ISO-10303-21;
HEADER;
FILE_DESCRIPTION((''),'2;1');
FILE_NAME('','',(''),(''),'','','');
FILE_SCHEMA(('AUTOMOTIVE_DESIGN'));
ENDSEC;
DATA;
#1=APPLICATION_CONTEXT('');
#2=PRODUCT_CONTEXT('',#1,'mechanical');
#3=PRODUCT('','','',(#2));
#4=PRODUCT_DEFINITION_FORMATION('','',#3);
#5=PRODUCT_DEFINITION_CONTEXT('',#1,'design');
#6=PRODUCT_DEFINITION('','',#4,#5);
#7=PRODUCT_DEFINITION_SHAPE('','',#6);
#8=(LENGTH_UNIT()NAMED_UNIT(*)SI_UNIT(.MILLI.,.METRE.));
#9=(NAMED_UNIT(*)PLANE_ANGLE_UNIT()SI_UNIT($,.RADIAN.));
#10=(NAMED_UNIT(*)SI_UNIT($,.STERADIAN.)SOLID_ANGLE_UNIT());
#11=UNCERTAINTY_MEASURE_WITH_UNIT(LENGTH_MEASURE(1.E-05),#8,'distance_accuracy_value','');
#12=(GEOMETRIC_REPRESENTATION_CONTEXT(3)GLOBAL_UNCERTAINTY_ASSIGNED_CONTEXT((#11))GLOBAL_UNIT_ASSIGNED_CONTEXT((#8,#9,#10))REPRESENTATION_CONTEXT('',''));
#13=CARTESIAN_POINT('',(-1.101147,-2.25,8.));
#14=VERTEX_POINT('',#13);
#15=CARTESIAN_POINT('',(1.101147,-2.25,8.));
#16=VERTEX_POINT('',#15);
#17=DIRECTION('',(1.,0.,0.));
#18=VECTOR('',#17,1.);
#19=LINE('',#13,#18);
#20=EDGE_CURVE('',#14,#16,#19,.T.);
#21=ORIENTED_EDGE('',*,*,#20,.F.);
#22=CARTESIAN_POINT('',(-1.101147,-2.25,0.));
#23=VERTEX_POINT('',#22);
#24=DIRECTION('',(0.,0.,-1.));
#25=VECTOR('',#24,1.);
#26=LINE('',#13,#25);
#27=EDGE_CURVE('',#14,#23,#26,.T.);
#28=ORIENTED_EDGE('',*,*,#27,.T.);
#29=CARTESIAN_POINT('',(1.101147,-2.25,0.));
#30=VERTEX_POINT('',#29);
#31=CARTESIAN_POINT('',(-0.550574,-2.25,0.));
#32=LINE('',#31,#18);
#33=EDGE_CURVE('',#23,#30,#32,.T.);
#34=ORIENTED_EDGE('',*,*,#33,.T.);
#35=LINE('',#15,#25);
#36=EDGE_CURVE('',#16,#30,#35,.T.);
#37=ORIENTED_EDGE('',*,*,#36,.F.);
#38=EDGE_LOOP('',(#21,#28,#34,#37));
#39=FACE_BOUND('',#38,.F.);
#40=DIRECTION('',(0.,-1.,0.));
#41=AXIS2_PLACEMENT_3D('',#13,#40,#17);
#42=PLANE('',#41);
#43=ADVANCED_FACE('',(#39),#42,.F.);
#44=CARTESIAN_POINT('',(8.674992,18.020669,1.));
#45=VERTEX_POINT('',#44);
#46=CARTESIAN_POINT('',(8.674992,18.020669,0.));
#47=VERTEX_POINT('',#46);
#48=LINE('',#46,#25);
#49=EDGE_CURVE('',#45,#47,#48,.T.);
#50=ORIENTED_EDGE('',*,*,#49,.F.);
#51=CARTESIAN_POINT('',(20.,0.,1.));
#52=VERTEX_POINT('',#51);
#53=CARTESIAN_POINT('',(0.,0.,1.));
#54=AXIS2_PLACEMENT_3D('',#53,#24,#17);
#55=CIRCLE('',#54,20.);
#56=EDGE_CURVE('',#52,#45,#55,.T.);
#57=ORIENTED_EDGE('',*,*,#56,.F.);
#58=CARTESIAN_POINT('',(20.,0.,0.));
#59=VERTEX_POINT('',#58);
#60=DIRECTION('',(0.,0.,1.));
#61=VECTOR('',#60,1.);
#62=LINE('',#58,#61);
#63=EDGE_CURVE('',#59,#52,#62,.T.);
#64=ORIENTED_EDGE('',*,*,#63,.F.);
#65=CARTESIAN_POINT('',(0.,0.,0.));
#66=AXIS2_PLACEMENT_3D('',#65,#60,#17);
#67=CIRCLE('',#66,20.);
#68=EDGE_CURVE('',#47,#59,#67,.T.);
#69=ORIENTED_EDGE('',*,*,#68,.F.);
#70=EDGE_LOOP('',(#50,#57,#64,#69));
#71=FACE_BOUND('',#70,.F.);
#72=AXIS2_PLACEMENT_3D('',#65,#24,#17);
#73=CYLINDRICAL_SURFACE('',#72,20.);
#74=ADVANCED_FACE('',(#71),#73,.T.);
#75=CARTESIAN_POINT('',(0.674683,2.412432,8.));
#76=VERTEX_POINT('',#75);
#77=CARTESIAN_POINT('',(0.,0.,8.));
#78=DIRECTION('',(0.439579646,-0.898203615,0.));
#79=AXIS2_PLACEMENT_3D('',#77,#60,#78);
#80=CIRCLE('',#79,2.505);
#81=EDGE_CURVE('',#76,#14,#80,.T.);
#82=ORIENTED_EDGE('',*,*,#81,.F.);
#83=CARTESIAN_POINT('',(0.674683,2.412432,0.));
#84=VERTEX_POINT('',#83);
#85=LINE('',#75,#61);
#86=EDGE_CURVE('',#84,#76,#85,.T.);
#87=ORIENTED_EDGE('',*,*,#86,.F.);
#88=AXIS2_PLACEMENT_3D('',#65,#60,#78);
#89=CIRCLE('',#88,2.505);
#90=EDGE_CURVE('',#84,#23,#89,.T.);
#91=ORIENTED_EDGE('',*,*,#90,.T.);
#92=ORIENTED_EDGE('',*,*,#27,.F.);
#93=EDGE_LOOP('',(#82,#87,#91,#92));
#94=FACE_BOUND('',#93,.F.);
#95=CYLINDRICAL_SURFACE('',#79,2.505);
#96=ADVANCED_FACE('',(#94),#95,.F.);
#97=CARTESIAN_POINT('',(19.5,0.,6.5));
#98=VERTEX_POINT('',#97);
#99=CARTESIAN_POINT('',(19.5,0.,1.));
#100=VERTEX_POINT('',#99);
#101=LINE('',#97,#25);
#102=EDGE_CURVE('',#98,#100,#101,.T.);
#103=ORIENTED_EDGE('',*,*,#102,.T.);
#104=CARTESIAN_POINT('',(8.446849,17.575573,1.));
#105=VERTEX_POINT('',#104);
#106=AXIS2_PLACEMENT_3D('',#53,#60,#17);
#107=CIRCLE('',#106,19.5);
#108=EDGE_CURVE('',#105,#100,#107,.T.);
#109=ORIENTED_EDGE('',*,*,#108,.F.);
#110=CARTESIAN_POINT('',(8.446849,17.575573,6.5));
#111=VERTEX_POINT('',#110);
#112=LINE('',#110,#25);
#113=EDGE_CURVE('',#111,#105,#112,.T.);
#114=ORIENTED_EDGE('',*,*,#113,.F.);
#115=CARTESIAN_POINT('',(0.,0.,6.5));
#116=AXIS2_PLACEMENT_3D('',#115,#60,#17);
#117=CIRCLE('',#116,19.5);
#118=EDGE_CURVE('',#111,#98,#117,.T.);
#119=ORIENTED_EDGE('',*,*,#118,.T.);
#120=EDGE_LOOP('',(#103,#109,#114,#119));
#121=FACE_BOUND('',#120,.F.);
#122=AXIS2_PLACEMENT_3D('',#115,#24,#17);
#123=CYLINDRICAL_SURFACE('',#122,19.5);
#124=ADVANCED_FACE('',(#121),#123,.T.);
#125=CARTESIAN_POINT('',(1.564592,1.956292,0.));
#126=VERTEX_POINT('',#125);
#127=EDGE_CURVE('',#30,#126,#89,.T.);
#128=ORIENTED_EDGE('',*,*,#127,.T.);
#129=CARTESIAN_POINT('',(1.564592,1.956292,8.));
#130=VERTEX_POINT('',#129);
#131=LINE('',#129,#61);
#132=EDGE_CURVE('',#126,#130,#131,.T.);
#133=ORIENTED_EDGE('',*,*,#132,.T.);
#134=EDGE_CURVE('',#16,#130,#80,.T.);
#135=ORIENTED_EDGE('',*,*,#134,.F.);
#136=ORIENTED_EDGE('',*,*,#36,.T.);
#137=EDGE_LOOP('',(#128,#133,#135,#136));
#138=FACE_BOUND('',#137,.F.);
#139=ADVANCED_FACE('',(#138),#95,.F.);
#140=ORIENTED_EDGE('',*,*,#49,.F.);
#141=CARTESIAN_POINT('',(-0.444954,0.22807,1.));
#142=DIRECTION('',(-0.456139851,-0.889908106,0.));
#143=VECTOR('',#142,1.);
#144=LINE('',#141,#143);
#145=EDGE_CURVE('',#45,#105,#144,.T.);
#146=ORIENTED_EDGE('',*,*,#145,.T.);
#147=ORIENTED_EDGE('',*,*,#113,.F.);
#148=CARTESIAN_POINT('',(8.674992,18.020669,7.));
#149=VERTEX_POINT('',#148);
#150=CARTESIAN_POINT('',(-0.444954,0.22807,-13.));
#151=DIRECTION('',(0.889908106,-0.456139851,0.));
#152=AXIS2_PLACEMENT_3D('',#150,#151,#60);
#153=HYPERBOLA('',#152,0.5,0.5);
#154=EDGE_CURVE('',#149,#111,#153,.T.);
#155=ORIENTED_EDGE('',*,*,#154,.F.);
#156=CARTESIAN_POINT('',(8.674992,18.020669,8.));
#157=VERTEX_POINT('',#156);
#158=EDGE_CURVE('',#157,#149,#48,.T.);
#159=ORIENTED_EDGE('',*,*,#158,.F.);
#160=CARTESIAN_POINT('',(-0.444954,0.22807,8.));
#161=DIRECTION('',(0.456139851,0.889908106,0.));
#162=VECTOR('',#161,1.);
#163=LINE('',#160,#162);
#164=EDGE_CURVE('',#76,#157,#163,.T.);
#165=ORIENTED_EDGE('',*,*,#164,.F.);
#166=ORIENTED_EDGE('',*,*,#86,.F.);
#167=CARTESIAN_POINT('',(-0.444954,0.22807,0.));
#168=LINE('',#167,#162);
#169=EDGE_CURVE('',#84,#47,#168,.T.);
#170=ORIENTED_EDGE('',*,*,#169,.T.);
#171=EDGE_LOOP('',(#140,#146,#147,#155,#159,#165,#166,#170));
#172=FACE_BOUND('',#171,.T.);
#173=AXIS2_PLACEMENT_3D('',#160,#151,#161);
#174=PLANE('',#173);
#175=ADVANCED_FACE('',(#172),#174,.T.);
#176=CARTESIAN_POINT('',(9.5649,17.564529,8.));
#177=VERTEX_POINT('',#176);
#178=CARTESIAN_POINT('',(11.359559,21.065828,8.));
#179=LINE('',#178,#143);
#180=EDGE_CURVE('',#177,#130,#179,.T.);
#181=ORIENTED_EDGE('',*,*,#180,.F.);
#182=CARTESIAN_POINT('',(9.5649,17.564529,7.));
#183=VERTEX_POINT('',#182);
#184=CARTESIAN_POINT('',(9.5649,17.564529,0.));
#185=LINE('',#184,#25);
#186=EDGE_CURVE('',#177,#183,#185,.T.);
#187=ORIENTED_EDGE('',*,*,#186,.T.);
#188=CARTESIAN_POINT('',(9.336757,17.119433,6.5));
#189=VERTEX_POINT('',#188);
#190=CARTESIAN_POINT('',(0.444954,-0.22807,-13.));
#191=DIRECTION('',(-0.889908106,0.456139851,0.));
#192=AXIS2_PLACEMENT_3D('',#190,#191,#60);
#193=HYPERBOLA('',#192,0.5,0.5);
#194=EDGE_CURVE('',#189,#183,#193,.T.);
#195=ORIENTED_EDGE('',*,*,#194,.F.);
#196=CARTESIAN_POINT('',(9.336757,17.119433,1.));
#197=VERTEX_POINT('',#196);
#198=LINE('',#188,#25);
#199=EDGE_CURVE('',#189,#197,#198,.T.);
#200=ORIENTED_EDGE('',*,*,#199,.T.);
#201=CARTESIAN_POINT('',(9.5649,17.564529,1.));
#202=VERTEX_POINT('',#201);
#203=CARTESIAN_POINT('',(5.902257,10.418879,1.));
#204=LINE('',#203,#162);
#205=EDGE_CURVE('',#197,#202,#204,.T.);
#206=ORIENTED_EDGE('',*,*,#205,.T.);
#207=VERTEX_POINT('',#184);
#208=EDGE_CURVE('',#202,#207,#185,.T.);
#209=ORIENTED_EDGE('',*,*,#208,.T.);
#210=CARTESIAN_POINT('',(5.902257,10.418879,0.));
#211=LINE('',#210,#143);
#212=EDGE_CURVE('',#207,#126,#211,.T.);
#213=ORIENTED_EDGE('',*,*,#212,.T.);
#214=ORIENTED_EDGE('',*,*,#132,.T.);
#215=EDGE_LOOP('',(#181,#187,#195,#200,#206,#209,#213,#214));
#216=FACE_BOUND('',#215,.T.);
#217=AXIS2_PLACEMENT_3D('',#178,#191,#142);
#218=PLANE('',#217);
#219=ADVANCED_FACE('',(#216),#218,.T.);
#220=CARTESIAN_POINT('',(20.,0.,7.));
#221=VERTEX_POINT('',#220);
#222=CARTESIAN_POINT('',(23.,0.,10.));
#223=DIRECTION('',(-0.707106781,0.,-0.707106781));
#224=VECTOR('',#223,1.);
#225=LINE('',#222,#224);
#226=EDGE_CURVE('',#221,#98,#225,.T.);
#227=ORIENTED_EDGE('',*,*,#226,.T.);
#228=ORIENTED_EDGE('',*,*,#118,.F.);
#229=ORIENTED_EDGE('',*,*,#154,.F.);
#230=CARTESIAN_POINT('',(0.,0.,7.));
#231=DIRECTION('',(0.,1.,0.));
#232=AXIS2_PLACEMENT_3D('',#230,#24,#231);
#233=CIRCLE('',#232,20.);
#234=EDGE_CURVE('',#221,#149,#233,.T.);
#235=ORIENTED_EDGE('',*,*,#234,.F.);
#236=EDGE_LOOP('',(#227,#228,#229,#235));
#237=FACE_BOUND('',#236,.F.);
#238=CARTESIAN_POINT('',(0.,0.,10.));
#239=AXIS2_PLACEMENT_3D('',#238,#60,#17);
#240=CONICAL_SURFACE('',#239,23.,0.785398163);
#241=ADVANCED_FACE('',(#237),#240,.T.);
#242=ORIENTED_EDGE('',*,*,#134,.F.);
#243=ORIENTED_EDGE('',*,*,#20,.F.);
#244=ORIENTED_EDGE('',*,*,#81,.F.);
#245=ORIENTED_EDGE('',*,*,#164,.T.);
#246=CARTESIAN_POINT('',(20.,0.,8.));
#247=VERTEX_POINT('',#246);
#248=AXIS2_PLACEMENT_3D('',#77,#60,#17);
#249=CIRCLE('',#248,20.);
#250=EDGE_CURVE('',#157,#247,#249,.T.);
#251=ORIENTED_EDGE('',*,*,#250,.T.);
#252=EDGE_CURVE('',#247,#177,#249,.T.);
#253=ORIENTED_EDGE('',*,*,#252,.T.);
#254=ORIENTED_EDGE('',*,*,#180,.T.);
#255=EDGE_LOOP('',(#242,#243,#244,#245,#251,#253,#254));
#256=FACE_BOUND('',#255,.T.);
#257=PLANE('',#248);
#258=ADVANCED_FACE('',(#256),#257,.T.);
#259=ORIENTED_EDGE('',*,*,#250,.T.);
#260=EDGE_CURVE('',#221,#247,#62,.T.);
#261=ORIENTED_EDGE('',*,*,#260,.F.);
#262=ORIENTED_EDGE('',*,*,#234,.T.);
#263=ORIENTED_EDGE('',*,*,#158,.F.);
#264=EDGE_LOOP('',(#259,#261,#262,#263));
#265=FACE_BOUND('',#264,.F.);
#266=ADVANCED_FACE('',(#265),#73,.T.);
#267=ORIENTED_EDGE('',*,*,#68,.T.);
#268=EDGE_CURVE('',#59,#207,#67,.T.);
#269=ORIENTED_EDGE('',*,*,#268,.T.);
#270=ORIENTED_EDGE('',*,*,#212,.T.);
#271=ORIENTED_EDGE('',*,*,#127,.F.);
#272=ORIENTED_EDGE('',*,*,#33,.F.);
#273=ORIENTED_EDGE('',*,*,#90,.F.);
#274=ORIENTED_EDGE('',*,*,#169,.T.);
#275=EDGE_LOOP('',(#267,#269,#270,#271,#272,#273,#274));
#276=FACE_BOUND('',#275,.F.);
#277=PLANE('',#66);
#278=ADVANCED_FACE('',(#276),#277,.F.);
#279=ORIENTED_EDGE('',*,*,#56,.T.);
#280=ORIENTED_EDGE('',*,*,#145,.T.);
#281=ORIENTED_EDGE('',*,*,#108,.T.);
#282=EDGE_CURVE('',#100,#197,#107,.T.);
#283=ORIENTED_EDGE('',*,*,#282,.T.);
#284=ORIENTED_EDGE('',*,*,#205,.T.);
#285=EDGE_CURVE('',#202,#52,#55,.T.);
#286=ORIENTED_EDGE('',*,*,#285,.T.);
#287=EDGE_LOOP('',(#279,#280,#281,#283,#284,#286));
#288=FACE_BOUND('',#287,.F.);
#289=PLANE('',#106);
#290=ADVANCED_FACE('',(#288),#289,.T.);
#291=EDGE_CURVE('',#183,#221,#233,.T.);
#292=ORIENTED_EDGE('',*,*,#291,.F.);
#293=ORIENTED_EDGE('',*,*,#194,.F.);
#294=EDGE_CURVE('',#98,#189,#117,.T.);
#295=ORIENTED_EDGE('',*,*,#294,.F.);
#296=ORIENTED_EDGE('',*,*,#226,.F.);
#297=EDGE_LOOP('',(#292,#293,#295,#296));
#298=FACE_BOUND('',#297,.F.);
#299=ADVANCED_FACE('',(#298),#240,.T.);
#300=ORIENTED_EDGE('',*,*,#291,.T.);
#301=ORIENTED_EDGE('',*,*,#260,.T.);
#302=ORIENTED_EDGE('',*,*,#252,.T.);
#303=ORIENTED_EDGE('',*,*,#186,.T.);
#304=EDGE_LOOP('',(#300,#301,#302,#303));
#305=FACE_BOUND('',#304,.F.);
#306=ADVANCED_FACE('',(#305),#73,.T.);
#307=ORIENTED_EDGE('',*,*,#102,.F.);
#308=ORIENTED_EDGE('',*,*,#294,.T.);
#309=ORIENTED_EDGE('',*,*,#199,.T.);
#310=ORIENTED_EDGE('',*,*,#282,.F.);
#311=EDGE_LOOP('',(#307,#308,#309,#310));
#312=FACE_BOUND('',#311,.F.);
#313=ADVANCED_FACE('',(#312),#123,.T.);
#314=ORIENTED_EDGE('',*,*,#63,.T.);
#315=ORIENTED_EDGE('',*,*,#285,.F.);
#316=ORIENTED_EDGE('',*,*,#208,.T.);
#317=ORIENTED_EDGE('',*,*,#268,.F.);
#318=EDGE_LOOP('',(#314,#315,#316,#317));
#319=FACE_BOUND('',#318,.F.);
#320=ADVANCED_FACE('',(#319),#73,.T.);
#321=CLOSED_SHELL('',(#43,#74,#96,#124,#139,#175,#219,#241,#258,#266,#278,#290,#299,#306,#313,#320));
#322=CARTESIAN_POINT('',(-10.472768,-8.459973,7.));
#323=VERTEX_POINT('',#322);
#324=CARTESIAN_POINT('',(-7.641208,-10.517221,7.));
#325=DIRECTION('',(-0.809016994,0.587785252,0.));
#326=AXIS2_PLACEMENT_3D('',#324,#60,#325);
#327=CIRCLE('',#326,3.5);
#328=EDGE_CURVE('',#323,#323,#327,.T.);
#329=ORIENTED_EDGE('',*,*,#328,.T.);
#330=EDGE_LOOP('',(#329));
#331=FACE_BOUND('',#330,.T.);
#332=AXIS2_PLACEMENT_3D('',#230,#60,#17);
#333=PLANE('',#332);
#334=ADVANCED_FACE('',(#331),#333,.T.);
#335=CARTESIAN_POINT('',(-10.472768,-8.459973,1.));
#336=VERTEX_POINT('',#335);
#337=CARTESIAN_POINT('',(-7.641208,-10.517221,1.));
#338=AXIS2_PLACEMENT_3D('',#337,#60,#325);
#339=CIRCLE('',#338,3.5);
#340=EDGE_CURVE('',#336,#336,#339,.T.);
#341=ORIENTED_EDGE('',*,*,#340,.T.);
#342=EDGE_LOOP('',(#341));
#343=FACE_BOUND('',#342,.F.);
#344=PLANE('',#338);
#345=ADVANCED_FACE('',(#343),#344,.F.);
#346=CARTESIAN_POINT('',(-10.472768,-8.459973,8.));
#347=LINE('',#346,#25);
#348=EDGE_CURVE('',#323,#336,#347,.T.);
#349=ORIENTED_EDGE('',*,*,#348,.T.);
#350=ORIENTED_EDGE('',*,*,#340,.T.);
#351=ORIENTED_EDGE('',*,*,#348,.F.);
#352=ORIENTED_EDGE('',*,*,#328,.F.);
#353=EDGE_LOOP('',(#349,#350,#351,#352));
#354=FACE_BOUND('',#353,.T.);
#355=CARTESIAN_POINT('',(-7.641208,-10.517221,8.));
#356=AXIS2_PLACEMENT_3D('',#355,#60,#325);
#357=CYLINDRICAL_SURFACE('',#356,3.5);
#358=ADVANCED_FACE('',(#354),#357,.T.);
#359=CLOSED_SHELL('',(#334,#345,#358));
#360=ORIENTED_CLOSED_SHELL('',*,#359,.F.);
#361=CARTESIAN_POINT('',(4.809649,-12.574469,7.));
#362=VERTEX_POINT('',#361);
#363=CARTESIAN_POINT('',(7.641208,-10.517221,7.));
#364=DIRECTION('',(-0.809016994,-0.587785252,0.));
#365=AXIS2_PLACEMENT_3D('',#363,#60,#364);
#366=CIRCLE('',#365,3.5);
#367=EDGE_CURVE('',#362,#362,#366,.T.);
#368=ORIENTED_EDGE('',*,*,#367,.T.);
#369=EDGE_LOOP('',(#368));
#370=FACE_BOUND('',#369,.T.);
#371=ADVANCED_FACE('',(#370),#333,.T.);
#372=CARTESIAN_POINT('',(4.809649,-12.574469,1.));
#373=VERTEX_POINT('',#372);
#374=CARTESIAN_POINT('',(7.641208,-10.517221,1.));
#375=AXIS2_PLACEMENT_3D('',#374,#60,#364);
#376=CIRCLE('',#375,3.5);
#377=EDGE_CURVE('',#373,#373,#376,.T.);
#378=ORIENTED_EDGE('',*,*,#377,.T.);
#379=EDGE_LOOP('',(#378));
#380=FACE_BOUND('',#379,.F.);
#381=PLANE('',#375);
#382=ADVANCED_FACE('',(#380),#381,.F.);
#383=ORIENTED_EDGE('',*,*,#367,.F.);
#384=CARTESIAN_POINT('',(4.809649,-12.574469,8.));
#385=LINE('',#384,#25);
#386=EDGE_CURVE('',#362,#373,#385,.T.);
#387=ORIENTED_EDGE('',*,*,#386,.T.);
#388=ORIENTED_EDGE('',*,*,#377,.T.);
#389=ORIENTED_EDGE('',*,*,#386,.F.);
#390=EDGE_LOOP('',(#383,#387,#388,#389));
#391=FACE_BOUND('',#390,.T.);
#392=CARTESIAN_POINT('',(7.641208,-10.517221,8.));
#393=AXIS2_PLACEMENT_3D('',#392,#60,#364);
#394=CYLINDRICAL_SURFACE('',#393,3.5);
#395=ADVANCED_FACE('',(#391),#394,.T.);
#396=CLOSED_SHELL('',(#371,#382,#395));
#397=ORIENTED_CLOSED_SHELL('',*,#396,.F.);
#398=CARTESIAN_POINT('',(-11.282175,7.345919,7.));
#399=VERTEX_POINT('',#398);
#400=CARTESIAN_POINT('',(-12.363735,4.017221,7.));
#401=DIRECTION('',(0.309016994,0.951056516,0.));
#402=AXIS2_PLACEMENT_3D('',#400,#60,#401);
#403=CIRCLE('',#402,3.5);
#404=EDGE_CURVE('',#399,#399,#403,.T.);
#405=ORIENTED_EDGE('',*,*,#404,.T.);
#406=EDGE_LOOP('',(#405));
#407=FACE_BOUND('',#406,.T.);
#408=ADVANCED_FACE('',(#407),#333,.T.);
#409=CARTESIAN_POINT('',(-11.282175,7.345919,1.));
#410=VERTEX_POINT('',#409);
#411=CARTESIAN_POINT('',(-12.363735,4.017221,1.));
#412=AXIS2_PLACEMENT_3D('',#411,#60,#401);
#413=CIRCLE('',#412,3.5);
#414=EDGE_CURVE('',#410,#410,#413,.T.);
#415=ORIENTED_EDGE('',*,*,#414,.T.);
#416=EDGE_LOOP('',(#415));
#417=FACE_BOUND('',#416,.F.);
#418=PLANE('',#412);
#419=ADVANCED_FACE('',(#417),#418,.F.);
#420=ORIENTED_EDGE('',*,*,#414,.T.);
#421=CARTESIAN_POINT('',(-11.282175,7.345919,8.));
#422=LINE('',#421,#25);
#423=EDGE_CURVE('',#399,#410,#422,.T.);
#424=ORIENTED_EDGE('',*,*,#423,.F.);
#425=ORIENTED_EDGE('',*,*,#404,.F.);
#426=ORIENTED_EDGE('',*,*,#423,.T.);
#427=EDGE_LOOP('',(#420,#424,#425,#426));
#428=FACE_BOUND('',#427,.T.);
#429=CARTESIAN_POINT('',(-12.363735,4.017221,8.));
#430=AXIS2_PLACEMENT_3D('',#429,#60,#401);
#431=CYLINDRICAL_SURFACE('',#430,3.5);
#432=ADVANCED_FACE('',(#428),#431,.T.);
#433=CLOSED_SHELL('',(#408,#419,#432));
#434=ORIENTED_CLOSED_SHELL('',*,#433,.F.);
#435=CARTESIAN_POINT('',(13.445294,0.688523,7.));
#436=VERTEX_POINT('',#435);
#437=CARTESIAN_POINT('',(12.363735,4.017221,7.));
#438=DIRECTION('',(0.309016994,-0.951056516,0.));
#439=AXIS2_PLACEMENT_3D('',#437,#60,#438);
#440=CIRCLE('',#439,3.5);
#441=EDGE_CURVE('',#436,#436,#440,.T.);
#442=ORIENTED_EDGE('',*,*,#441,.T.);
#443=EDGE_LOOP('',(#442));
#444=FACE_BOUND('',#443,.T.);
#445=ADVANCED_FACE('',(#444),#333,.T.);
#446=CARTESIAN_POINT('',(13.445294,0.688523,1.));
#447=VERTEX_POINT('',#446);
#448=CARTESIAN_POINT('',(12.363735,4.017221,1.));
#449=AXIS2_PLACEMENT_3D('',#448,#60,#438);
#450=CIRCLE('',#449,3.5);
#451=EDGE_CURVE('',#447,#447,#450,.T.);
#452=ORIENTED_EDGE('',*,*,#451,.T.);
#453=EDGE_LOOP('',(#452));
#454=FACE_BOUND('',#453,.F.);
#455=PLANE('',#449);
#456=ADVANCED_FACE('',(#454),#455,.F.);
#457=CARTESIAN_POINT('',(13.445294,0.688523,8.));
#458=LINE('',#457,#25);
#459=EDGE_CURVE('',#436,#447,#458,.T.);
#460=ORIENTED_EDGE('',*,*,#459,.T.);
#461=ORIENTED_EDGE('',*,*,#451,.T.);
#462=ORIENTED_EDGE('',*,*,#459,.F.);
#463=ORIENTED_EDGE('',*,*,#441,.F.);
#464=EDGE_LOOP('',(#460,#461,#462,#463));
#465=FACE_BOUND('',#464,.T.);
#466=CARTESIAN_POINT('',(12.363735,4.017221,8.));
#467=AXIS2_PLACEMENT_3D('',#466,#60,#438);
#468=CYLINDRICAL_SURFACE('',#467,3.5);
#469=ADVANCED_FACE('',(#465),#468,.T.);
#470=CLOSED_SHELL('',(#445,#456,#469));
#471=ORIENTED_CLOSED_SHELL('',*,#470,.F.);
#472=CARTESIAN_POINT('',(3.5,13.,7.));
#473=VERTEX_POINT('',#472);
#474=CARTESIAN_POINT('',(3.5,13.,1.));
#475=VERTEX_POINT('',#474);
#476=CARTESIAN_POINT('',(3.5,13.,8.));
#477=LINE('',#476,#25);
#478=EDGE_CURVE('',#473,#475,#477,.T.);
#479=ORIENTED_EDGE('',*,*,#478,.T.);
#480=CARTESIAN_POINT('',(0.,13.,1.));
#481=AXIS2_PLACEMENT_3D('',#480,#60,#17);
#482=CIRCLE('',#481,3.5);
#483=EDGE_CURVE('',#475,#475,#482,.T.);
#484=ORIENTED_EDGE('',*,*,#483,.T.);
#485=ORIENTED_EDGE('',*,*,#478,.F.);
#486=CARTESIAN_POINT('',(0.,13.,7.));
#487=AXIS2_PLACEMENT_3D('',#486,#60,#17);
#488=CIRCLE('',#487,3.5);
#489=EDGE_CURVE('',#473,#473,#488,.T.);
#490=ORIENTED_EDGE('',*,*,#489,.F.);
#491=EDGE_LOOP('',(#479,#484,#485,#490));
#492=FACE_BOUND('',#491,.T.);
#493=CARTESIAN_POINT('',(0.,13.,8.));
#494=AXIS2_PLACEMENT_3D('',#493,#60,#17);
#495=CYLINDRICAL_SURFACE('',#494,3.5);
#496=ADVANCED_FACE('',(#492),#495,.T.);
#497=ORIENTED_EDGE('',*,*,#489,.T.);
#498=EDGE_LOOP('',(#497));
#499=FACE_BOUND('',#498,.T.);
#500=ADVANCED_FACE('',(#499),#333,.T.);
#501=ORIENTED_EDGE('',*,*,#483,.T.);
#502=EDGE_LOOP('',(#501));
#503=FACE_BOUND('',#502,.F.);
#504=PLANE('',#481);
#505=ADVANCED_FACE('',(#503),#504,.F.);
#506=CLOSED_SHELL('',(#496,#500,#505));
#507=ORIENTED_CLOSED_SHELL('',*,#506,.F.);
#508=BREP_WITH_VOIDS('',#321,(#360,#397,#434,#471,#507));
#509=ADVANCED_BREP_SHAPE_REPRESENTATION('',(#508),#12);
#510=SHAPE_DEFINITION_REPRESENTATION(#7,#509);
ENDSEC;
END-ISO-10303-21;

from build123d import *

# Parameters (mm, degrees)
SKETCH_R           = 20
PAD_DEPTH          = 8
POCKET_DEPTH       = 8.001
SKETCH003_R        = 3.5
POCKET001_DEPTH    = 7
POLARPATTERN_COUNT = 5
SKETCH005_R        = 1.995724
POCKET002_DEPTH    = 0.5
SKETCH007_R        = 17.476315
SKETCH007_R_2      = 3.403878
PAD001_DEPTH       = 1
POCKET003_DEPTH    = 8.001


with BuildPart() as part:
    # Sketch → Pad (new body)
    with BuildSketch(Plane.XY):
        Circle(SKETCH_R)
    extrude(amount=PAD_DEPTH)

    # Sketch001 (on Face3 of Pad) → Pocket (cut, through all)
    with BuildSketch(Plane.XY.offset(8)):
        with BuildLine():
            ThreePointArc((1.101147, -2.25), (0, 2.505), (-1.101147, -2.25))
            Line((-1.101147, -2.25), (1.101147, -2.25))
        make_face()
    extrude(amount=-POCKET_DEPTH, mode=Mode.SUBTRACT)

    # Sketch002 → Groove (revolve, cut)
    with BuildSketch(Plane.XZ):
        Polygon((19.5, 6.5), (19.5, 1), (23, 1), (23, 10), align=None)
    revolve(axis=Axis((0, 0, 0), (0, 0, 1)), mode=Mode.SUBTRACT)

    # Sketch003 (on Face3 of Groove) → Pocket001 (cut)
    with BuildSketch(Plane.XY.offset(8)):
        with Locations((0, 13)):
            Circle(SKETCH003_R)
    pocket001 = extrude(amount=-POCKET001_DEPTH, mode=Mode.SUBTRACT)

    # PolarPattern: Pocket001 ×5 about axis
    polarpattern_axis = Axis((0, 0, 8), (0, 0, 1))
    for i in range(1, POLARPATTERN_COUNT):
        add(pocket001.rotate(polarpattern_axis, i * 360 / POLARPATTERN_COUNT), mode=Mode.SUBTRACT)

    # Sketch005 (on Face3 of PolarPattern) → Pocket002 (cut)
    with BuildSketch(Plane.XY.offset(8)):
        with Locations((-5.881012, 7.168965)):
            Circle(SKETCH005_R)
    extrude(amount=-POCKET002_DEPTH, mode=Mode.SUBTRACT)

    # Sketch007 (on Face3 of Pocket002) → Pad001 (join)
    with BuildSketch(Plane.XY.offset(8)):
        Circle(SKETCH007_R)
        Circle(SKETCH007_R_2, mode=Mode.SUBTRACT)
    extrude(amount=-PAD001_DEPTH)

    # Sketch008 (on Face5 of Pad001) → Pocket003 (cut, through all)
    with BuildSketch(Plane.XY.offset(8)):
        Polygon((0, 0), (-0.444954, 0.22807), (10.469651, 21.521968), (11.359559, 21.065828), (0.444954, -0.22807), align=None)
    extrude(amount=-POCKET003_DEPTH, mode=Mode.SUBTRACT)


solid = part.part
